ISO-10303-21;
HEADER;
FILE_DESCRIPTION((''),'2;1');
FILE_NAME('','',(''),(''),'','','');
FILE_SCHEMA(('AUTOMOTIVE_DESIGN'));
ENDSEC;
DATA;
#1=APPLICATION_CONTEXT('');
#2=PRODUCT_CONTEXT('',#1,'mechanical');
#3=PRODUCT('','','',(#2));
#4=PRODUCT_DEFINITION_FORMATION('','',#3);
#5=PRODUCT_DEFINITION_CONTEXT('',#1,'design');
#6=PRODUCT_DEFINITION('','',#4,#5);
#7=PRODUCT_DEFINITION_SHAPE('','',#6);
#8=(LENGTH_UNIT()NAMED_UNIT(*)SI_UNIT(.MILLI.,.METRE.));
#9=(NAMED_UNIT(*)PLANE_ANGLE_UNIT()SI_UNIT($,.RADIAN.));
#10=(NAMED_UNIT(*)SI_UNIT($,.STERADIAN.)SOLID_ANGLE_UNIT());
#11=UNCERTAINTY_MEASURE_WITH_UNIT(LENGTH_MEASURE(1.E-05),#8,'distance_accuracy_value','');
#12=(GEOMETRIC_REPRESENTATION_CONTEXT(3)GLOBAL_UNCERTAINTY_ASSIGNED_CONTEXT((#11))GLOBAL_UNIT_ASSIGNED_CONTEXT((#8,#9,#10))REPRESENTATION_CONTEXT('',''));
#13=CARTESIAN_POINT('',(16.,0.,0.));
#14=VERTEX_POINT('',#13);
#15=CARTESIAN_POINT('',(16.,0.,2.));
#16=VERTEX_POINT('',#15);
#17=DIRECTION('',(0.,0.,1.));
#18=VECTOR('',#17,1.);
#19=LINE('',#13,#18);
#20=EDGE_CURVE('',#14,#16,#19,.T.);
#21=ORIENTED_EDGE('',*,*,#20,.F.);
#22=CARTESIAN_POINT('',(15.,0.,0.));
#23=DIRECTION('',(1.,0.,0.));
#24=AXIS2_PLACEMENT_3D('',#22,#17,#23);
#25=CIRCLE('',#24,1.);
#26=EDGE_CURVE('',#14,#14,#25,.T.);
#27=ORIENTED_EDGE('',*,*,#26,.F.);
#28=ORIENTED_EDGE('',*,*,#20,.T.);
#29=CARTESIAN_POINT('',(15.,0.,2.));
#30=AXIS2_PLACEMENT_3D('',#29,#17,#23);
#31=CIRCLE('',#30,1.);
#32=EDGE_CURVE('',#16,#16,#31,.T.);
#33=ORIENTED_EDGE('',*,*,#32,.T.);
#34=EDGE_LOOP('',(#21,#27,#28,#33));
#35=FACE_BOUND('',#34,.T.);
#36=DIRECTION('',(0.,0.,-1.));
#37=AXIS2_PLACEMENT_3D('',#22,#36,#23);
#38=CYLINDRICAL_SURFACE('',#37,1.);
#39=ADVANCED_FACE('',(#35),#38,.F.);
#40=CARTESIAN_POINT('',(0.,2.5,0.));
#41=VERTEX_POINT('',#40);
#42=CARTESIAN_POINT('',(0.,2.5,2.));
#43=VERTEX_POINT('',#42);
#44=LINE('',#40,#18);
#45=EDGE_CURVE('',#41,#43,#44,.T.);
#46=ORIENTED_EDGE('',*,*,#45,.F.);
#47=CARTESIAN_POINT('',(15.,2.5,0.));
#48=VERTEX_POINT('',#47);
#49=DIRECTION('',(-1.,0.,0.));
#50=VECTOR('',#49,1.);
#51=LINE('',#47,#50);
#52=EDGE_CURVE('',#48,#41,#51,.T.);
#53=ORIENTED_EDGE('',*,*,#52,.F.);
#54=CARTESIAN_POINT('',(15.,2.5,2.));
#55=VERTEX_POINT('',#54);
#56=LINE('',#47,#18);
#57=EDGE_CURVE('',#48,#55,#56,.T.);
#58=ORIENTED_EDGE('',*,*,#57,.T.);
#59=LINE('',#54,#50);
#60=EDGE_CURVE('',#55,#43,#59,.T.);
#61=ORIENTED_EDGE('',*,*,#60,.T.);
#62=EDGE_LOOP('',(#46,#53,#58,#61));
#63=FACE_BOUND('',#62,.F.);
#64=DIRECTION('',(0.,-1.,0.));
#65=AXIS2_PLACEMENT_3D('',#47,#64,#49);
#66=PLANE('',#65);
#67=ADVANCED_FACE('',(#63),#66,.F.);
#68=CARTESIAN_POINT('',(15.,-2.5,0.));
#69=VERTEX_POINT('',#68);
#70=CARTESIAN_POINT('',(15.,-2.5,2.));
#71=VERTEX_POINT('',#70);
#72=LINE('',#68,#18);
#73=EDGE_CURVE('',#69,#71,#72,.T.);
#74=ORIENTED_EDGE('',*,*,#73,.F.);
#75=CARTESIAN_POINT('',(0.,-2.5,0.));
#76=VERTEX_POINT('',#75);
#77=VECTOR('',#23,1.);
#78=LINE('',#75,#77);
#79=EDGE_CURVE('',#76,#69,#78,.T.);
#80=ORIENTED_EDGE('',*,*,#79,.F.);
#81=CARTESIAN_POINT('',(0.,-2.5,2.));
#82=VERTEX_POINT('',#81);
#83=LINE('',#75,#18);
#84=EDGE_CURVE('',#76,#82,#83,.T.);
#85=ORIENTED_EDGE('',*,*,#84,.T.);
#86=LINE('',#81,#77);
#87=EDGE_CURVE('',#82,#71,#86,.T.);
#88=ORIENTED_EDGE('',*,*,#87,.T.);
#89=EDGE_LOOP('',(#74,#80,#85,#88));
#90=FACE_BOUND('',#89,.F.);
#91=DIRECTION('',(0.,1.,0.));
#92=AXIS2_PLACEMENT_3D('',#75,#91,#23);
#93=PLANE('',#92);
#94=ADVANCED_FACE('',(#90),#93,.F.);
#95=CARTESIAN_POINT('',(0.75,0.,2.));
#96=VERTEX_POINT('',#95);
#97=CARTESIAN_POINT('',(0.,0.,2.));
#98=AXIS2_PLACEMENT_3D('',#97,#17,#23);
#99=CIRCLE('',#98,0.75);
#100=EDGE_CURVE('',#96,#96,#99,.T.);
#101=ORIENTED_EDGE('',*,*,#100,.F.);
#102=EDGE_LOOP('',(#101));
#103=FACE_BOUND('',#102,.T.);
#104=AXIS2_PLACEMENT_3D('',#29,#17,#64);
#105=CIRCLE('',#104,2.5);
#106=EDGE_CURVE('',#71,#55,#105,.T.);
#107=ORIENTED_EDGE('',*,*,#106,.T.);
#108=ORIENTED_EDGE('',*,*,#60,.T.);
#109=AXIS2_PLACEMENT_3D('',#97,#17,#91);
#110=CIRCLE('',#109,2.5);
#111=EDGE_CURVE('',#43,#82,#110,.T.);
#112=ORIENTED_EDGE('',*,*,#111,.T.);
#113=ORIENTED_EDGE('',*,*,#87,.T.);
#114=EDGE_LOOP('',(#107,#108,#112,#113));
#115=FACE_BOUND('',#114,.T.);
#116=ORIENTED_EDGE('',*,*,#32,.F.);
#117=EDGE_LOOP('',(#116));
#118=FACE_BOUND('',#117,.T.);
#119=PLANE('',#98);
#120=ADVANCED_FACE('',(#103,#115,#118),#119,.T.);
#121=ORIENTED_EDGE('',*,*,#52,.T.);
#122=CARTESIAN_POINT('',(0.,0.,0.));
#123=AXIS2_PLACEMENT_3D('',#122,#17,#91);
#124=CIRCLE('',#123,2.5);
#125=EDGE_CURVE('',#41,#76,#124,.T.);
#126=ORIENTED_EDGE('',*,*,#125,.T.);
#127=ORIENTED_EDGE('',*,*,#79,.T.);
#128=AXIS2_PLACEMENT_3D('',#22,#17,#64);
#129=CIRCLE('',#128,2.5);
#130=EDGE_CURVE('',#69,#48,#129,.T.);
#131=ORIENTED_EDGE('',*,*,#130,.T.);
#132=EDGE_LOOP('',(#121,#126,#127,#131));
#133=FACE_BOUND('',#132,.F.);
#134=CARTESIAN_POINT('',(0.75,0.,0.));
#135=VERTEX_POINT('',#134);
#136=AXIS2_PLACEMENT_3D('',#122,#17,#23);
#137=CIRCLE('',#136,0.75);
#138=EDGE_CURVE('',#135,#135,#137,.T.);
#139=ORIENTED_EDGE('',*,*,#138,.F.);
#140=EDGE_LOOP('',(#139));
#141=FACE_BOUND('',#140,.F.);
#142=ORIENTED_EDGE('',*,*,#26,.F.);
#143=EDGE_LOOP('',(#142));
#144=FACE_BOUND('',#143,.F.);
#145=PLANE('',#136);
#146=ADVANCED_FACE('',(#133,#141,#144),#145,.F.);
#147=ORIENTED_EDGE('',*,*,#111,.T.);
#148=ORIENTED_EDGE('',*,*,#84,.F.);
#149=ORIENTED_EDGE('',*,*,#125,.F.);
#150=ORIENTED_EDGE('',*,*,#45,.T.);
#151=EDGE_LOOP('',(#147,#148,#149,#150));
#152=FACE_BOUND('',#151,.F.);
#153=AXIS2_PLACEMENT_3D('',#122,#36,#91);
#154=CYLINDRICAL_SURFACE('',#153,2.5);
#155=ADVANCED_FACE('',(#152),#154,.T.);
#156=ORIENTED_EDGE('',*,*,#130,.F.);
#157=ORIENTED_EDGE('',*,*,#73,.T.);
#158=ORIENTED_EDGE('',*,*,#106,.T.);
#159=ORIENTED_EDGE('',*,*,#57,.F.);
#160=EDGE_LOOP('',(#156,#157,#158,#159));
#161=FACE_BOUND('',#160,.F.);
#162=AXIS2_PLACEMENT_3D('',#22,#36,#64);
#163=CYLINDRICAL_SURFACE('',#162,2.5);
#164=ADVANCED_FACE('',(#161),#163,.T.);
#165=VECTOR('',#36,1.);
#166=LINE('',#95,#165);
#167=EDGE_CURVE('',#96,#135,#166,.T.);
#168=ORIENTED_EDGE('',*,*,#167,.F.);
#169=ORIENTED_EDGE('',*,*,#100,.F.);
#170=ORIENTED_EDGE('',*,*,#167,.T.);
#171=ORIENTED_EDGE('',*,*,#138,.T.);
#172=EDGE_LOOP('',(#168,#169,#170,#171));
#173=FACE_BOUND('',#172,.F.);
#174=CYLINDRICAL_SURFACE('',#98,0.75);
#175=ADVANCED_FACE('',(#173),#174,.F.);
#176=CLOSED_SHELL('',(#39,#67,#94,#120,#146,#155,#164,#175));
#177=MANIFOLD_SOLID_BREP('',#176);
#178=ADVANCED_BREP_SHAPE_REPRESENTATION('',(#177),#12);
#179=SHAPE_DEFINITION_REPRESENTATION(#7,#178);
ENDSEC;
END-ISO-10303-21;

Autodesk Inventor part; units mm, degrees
ref_plane "YZ Plane" through (0, 0, 0) normal (1, 0, 0) x (0, 1, 0)
ref_plane "XZ Plane" through (0, 0, 0) normal (0, 1, 0) x (-1, 0, 0)
ref_plane "XY Plane" through (0, 0, 0) normal (0, 0, 1) x (1, 0, 0)
sketch "Sketch1" plane through (0, 0, 0) normal (0, 0, 1) x (1, 0, 0)
  line L0 (0, 0) -> (15, 0) construction
  line L1 (0, -2.5) -> (15, -2.5)
  line L2 (15, 2.5) -> (0, 2.5)
  arc A0 (0, 2.5) -> (0, -2.5) centre (0, 0) ccw
  arc A1 (15, -2.5) -> (15, 2.5) centre (15, 0) ccw
  circle A2 centre (15, 0) radius 1
  circle A3 centre (0, 0) radius 1
  point P0 (7.5, 0)
  dimension "d0" = 15
  dimension "d1" = 5
  dimension "d2" = 2
  dimension "d3" = 2
extrude "Extrusion1" add sketch "Sketch1" along normal blind 2
sketch "Sketch2" plane through (0, 0, 2) normal (0, 0, 1) x (1, 0, 0)
  circle A0 centre (0, 0) radius 0.75
  circle A1 centre (0, 0) radius 1
  dimension "d6" = 1.5
extrude "Extrusion2" add sketch "Sketch2" against normal blind 2
properties part number "horn slider pen"
